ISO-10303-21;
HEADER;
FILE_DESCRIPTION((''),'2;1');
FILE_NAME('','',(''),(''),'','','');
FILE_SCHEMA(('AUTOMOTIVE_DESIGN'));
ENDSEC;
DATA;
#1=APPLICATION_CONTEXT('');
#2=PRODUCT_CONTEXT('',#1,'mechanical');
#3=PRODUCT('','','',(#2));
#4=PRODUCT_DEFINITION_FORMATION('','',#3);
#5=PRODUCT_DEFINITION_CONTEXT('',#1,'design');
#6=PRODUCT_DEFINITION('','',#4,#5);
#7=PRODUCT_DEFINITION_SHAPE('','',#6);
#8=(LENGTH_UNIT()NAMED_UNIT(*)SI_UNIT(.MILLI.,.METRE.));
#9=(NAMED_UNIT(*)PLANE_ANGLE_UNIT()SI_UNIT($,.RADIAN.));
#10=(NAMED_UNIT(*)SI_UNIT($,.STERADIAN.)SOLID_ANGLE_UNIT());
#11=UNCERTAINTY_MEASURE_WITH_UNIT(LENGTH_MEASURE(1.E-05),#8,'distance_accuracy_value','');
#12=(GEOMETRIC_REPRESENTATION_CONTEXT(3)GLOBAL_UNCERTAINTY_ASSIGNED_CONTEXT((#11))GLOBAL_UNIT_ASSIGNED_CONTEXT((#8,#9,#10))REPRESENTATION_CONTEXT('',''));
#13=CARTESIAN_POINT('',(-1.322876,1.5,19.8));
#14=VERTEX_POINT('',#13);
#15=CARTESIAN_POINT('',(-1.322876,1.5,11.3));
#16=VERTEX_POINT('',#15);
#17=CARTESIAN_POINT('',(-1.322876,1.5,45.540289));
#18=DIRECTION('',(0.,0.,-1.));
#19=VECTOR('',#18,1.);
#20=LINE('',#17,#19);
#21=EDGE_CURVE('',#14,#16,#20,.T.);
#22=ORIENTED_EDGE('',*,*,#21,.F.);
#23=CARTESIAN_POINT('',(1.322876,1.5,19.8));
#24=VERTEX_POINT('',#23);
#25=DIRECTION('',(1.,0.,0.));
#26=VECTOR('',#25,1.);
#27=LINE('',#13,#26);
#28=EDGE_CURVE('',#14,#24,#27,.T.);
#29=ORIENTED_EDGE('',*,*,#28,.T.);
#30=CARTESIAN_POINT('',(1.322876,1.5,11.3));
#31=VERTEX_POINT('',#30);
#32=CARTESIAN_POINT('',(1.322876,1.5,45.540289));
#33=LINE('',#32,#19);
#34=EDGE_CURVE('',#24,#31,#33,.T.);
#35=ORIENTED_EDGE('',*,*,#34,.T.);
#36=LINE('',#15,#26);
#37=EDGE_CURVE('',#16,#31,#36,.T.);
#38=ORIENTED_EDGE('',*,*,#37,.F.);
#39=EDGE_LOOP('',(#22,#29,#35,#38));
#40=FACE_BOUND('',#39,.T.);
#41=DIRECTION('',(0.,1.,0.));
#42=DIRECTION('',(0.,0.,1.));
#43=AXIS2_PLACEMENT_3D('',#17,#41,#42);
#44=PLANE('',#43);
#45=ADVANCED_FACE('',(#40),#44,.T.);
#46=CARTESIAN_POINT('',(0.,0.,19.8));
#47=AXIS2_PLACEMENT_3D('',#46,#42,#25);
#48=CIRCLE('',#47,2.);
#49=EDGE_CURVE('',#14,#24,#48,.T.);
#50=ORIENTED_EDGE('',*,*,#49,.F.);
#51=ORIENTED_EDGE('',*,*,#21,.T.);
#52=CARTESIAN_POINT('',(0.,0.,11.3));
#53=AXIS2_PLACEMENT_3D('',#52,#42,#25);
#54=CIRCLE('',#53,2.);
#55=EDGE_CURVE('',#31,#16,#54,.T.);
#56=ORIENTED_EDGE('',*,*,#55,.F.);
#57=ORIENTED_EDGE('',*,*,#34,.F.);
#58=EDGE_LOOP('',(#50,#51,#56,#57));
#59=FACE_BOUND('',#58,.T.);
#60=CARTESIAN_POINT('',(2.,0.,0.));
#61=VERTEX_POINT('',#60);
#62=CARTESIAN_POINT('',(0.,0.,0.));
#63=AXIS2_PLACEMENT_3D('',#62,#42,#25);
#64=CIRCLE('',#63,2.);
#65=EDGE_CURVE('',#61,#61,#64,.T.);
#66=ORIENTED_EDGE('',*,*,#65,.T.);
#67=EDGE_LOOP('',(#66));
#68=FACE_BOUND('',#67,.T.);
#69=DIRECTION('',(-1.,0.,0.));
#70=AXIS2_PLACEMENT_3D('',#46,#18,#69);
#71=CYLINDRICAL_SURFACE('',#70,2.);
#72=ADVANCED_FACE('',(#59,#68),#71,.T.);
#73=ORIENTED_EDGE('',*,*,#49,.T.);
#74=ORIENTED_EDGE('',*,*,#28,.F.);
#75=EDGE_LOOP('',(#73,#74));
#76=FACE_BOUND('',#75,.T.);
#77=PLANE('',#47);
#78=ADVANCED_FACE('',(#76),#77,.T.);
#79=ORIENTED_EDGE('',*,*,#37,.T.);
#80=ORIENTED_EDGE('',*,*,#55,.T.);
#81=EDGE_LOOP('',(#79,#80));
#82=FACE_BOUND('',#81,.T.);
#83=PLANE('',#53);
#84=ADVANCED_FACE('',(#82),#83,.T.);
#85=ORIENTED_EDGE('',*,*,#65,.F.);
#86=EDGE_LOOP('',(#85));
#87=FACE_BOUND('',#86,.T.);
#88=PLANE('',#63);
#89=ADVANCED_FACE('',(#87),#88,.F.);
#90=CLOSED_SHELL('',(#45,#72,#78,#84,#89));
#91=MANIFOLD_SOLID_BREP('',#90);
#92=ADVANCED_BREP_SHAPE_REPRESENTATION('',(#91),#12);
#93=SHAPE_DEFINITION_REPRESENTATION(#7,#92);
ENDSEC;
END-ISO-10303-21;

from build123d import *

# Parameters (mm, degrees)
SKETCH1_R               = 2
BOSS_EXTRUDE1_DEPTH     = 19.8
CUT_EXTRUDE1_DEPTH      = 1
CUT_EXTRUDE1_DEPTH_BACK = 8.5


with BuildPart() as part:
    # Sketch1 → Boss-Extrude1 (new body)
    with BuildSketch(Plane.XY):
        Circle(SKETCH1_R)
    extrude(amount=BOSS_EXTRUDE1_DEPTH)

    # Sketch2 → Cut-Extrude1 (cut, two sides)
    with BuildSketch(Plane.XY.offset(19.8)) as cut_extrude1_sk:
        Polygon((-20.975129822, 1.5), (-1.322875656, 1.5), (1.322875656, 1.5), (20.975129822, 1.5), (20.975129822, 40.804508332), (-20.975129822, 40.804508332), align=None)
    extrude(amount=CUT_EXTRUDE1_DEPTH, mode=Mode.SUBTRACT)
    extrude(cut_extrude1_sk.sketch, amount=-CUT_EXTRUDE1_DEPTH_BACK, mode=Mode.SUBTRACT)


solid = part.part
